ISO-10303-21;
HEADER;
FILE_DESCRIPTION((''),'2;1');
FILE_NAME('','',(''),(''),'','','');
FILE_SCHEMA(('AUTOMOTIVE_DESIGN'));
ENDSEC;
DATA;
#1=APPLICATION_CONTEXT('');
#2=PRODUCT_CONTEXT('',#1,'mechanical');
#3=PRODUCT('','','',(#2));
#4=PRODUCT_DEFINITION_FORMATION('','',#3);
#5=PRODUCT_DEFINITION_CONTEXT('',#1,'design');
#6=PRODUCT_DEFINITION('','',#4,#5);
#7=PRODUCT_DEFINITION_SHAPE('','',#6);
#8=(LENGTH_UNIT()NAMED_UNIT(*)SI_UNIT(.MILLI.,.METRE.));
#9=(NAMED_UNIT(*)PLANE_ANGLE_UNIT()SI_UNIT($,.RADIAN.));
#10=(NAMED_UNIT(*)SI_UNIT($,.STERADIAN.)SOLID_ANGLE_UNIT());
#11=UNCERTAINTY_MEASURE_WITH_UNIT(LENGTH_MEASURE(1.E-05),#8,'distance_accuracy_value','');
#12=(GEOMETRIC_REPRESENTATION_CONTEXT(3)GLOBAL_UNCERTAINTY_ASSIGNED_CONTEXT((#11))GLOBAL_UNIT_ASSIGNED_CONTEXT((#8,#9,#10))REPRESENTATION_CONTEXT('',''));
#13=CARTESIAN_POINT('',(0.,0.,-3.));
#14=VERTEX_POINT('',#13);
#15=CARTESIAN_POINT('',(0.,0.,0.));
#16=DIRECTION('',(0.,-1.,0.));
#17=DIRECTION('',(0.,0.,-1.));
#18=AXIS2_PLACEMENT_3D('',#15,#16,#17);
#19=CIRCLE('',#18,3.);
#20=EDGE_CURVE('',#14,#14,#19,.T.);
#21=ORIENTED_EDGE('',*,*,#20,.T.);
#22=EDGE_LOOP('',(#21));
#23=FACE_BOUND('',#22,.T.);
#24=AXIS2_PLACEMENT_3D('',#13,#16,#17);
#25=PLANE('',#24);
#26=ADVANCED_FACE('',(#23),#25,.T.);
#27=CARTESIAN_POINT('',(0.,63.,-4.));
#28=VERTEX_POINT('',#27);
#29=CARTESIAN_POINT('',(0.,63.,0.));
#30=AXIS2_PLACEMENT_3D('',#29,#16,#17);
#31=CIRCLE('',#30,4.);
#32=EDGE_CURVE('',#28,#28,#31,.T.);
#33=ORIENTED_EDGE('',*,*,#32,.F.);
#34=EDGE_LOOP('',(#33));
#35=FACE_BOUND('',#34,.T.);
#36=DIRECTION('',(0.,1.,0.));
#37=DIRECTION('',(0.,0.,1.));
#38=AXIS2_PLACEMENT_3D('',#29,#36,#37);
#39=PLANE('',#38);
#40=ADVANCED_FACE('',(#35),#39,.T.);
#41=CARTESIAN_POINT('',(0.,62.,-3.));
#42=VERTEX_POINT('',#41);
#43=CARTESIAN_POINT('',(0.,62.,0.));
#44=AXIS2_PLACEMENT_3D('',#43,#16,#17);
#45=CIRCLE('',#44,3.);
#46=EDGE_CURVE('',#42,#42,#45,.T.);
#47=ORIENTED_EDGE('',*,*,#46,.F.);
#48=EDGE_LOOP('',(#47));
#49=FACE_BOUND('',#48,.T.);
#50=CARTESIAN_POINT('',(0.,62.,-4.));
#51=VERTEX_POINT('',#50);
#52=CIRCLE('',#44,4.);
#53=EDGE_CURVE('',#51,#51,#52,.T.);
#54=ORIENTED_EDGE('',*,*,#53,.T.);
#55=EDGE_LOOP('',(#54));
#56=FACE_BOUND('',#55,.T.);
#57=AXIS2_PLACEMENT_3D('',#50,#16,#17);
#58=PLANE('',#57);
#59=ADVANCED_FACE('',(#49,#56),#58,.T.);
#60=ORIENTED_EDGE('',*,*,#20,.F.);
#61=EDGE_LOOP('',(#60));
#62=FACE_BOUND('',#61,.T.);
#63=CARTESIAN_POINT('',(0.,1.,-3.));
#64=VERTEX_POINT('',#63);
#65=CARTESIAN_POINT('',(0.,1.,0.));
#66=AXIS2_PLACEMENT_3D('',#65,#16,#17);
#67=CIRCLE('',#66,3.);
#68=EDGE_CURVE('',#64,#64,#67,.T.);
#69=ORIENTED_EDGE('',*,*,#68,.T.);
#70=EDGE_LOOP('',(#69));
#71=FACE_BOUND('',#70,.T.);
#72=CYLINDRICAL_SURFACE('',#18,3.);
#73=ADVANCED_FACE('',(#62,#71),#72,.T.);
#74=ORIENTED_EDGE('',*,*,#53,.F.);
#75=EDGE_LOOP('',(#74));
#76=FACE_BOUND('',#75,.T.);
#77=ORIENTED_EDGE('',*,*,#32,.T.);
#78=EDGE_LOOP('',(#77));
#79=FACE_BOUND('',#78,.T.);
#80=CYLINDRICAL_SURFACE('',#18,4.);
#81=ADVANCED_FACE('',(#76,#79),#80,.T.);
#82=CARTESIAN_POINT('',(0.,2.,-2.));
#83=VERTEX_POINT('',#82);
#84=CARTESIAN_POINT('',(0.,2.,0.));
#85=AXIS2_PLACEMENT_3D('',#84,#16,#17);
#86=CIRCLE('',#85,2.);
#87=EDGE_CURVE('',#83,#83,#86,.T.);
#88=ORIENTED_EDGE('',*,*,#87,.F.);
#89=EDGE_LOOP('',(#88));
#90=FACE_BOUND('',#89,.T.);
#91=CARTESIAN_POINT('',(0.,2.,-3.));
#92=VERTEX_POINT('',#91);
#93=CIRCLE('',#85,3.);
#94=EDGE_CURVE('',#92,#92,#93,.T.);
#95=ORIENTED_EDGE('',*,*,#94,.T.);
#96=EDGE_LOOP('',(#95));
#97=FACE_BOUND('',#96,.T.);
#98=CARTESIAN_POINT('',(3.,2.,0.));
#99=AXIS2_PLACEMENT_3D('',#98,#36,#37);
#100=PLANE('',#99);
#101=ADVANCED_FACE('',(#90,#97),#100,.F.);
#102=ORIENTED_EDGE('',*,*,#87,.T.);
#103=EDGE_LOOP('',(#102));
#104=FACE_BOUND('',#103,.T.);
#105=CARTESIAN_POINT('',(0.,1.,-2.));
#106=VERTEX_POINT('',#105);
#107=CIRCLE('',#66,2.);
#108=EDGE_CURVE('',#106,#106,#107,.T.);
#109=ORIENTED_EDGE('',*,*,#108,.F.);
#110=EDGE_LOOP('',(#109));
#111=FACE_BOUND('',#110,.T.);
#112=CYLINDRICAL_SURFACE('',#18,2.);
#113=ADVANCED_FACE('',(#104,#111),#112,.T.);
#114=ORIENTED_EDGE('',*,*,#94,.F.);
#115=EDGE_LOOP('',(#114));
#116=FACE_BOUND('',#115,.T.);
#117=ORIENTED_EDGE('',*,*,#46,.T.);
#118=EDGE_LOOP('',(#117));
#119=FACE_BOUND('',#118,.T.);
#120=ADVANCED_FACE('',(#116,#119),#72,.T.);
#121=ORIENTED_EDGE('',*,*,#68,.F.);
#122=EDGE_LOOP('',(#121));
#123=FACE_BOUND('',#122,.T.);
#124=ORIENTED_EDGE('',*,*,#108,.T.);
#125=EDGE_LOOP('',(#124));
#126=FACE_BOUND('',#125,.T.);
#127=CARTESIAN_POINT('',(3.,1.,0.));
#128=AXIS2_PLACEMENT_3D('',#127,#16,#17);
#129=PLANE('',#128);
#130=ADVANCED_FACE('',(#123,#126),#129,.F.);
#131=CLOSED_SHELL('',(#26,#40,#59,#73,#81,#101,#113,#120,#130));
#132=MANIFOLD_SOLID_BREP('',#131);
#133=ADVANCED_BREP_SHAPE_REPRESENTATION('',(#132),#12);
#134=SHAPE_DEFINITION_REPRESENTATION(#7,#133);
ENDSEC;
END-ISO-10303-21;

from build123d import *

# Parameters (mm, degrees)
SKETCH_4_W = 1
SKETCH_4_H = 1


with BuildPart() as part:
    # 草图1 → 旋转1 (revolve)
    with BuildSketch(Plane(origin=(0, 0, 0), x_dir=(0, 0, -1), z_dir=(1, 0, 0))):
        Polygon((0, 63), (4, 63), (4, 62), (3, 62), (3, 0), (0, 0), align=None)
    revolve(axis=Axis((0, 0, 0), (0, 1, 0)))

    # 草图4 → 切除-旋转1 (revolve, cut)
    with BuildSketch(Plane.XY, mode=Mode.PRIVATE) as cut_revolve_1_sk:
        with Locations((2.5, 1.5)):
            Rectangle(SKETCH_4_W, SKETCH_4_H)
    revolve(cut_revolve_1_sk.sketch.rotate(Axis((0, 0, 0), (0, 1, 0)), 90), axis=Axis((0, 0, 0), (0, 1, 0)), mode=Mode.SUBTRACT)


solid = part.part
